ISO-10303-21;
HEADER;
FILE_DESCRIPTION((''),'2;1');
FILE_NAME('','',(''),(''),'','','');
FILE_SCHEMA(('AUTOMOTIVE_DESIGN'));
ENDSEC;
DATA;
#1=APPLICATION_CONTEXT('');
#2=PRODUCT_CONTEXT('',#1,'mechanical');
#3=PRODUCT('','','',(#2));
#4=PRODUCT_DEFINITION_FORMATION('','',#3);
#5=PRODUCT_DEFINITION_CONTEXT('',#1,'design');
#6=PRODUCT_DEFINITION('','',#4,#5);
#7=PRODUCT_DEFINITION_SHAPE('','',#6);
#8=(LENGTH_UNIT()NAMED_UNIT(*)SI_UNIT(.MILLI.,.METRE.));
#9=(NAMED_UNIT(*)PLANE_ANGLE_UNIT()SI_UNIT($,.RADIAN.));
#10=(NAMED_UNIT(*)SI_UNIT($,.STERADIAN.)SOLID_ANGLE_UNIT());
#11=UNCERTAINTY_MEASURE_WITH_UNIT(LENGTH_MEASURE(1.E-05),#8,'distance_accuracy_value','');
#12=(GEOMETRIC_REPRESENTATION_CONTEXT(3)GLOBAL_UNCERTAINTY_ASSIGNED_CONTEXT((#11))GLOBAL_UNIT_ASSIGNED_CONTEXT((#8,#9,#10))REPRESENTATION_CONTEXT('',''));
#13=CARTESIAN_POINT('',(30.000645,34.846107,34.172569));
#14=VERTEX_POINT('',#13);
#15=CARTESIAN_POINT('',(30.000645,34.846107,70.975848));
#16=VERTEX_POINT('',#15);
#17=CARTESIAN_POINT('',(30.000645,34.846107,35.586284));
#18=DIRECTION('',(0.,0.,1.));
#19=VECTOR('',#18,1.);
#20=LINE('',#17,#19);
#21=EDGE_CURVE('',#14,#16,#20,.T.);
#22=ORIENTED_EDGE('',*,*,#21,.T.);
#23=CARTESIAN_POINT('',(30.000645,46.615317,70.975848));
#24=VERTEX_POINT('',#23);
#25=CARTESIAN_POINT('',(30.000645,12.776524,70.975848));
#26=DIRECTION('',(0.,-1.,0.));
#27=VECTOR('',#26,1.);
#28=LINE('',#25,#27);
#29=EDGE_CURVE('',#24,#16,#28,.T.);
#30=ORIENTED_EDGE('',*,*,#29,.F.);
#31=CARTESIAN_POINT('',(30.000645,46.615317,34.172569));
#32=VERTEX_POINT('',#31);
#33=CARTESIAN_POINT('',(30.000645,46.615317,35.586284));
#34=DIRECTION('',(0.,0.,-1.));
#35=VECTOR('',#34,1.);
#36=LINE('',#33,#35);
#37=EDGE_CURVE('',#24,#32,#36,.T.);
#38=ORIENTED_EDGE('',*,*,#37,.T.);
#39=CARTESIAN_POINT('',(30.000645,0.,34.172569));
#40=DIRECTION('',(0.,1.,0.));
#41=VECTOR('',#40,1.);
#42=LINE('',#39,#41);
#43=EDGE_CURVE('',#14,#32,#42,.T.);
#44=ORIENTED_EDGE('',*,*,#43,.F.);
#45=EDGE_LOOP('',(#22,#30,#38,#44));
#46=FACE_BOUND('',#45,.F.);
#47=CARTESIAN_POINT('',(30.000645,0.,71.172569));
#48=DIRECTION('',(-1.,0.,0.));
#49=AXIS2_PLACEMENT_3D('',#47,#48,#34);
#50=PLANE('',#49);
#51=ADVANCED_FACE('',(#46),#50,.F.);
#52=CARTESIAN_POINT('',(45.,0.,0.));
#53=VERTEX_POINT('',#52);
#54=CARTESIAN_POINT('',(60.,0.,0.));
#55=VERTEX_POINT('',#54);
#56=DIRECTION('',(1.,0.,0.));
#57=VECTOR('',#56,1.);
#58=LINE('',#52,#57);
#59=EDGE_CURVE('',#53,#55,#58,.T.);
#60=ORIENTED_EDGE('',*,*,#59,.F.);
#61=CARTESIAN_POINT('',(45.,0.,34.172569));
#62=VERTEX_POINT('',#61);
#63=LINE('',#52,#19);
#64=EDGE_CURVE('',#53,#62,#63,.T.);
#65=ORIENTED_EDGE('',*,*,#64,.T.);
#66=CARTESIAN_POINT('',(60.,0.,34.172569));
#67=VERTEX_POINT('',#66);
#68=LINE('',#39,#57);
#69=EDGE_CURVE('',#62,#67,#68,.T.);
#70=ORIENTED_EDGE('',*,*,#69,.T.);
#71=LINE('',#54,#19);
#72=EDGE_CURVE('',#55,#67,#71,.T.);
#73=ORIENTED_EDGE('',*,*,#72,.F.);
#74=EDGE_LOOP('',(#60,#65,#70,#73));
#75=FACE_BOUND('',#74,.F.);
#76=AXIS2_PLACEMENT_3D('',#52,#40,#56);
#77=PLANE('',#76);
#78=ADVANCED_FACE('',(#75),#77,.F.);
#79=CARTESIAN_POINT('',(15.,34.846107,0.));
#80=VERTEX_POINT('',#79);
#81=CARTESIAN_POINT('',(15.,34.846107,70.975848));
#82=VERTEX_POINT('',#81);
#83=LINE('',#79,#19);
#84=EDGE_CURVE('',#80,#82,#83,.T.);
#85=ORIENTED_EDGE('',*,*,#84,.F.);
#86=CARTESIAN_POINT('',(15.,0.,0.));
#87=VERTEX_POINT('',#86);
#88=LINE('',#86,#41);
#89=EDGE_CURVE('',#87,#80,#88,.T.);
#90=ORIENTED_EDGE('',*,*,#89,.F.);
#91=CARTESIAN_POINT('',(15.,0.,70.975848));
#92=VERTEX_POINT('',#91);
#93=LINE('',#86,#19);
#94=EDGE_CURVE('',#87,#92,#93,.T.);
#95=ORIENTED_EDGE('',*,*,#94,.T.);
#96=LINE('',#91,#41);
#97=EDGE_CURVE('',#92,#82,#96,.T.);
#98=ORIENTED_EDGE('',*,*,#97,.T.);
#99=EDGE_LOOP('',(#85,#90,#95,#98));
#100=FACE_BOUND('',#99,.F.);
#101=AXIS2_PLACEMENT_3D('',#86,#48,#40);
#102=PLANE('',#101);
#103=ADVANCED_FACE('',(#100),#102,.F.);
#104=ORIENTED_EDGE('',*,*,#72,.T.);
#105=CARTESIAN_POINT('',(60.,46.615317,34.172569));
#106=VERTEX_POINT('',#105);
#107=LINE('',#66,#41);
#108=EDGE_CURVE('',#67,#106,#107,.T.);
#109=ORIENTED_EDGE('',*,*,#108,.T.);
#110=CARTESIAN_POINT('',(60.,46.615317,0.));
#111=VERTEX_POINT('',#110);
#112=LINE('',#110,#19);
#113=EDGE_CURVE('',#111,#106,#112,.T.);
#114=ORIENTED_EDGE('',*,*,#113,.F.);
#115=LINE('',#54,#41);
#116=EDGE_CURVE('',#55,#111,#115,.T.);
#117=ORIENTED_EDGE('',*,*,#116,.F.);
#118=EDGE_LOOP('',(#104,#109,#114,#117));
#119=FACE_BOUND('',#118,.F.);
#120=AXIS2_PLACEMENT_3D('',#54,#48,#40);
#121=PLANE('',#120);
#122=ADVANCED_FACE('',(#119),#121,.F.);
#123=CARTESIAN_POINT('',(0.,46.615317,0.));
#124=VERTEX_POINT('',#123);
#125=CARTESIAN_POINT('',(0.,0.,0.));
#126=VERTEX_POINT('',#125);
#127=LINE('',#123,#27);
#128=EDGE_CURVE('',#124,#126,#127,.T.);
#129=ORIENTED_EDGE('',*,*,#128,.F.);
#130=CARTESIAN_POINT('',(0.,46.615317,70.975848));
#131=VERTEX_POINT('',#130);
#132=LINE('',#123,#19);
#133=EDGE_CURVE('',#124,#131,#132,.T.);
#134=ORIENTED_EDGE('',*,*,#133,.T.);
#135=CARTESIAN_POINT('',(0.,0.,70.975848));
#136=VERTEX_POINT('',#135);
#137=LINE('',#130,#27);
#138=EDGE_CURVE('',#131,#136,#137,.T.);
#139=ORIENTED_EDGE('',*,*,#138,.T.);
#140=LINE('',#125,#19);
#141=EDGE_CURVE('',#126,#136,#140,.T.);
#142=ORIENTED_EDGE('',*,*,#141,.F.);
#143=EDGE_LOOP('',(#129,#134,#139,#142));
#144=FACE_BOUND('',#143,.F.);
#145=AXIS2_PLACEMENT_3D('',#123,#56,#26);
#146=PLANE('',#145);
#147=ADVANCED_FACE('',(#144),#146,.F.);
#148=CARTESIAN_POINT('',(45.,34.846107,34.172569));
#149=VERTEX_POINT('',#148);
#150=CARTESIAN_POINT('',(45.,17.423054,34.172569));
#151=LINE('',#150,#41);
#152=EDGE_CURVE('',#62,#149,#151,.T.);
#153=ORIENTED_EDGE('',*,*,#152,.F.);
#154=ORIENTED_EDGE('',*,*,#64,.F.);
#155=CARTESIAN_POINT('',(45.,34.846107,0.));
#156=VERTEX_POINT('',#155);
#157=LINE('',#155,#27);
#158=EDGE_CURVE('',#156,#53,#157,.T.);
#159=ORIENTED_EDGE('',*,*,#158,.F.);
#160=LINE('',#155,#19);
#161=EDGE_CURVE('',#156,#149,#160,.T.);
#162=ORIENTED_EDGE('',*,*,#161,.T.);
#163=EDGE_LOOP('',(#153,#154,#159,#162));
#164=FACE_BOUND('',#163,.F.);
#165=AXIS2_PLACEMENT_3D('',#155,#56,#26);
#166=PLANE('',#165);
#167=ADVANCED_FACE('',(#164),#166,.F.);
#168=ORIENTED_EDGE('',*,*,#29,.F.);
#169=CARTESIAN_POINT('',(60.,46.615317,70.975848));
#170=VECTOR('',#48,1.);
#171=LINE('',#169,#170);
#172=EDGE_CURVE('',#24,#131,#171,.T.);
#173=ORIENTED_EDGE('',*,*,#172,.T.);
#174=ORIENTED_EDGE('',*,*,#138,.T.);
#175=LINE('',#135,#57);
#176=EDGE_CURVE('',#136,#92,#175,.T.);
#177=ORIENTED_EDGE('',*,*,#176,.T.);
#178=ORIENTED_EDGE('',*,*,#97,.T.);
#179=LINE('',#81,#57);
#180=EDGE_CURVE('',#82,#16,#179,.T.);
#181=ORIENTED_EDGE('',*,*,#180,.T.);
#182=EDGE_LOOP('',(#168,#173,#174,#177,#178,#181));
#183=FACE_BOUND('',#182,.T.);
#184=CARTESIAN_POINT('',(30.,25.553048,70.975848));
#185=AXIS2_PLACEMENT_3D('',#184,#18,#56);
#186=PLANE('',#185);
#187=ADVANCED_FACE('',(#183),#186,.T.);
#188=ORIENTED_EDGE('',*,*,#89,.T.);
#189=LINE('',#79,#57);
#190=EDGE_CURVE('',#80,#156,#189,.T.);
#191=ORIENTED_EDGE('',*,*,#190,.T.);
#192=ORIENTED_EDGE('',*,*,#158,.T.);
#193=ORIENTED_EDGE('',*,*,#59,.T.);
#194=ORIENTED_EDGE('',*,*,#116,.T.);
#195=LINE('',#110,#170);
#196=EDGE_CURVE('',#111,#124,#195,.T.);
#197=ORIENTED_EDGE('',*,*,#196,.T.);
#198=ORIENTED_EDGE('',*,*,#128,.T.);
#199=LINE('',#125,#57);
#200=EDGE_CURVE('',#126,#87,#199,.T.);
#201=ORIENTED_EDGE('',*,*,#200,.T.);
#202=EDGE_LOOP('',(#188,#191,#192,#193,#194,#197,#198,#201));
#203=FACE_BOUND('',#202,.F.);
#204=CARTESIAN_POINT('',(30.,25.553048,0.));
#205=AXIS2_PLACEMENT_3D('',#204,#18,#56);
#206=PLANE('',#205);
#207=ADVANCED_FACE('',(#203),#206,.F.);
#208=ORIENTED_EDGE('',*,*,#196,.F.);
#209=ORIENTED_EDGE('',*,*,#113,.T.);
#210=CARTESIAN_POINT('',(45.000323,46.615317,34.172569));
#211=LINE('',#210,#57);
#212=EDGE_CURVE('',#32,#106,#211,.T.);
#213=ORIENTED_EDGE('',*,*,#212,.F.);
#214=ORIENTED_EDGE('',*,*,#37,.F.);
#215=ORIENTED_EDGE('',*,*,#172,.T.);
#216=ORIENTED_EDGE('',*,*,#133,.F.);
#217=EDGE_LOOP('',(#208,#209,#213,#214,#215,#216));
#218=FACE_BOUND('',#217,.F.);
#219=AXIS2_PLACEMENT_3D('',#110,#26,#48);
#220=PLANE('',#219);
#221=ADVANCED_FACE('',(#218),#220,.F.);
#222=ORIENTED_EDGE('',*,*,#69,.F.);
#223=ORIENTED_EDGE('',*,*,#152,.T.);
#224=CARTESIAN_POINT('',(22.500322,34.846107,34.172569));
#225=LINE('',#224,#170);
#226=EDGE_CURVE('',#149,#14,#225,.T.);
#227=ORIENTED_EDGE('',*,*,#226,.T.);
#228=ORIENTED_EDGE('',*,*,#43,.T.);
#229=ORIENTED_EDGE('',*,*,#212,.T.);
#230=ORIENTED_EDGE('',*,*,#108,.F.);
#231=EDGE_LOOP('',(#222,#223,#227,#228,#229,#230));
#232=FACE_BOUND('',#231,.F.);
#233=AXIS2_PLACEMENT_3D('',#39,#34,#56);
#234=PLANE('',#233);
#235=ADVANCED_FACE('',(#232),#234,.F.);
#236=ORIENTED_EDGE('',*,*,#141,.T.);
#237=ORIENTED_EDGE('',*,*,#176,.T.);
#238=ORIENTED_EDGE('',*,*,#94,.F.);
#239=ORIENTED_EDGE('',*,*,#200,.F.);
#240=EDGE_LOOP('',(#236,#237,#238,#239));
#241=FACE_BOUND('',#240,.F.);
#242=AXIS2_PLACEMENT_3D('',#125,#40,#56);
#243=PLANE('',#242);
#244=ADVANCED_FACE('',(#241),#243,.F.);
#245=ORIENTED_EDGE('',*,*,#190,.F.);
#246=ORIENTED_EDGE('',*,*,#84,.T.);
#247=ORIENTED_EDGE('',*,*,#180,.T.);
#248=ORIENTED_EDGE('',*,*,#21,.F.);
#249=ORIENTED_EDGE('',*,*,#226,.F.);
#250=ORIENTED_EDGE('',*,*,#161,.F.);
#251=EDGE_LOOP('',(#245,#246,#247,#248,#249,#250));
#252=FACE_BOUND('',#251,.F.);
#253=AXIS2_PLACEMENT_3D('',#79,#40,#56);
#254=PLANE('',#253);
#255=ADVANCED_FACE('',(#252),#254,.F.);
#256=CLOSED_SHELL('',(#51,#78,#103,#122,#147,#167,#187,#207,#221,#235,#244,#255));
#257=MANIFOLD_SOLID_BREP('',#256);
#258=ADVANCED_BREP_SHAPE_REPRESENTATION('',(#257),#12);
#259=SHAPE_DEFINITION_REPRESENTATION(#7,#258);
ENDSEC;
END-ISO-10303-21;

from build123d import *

# Parameters (mm, degrees)
F1_DEPTH = 70.975848
F3_DEPTH = 46.616317


with BuildPart() as f1:
    # F0 (on Top) → F1 (new body)
    with BuildSketch(Plane.XY):
        Polygon((0, 46.615317), (0, 0), (15, 0), (15, 34.846107), (45, 34.846107), (45, 0), (60, 0), (60, 46.615317), align=None)
    extrude(amount=F1_DEPTH)

    # F2 (on Front) → F3 (cut, through all)
    with BuildSketch(Plane.XZ):
        Polygon((60, 34.172569), (60, 70.975848), (30.000645, 71.172569), (30.000645, 34.172569), align=None)
    extrude(amount=-F3_DEPTH, mode=Mode.SUBTRACT)


solid = f1.part
